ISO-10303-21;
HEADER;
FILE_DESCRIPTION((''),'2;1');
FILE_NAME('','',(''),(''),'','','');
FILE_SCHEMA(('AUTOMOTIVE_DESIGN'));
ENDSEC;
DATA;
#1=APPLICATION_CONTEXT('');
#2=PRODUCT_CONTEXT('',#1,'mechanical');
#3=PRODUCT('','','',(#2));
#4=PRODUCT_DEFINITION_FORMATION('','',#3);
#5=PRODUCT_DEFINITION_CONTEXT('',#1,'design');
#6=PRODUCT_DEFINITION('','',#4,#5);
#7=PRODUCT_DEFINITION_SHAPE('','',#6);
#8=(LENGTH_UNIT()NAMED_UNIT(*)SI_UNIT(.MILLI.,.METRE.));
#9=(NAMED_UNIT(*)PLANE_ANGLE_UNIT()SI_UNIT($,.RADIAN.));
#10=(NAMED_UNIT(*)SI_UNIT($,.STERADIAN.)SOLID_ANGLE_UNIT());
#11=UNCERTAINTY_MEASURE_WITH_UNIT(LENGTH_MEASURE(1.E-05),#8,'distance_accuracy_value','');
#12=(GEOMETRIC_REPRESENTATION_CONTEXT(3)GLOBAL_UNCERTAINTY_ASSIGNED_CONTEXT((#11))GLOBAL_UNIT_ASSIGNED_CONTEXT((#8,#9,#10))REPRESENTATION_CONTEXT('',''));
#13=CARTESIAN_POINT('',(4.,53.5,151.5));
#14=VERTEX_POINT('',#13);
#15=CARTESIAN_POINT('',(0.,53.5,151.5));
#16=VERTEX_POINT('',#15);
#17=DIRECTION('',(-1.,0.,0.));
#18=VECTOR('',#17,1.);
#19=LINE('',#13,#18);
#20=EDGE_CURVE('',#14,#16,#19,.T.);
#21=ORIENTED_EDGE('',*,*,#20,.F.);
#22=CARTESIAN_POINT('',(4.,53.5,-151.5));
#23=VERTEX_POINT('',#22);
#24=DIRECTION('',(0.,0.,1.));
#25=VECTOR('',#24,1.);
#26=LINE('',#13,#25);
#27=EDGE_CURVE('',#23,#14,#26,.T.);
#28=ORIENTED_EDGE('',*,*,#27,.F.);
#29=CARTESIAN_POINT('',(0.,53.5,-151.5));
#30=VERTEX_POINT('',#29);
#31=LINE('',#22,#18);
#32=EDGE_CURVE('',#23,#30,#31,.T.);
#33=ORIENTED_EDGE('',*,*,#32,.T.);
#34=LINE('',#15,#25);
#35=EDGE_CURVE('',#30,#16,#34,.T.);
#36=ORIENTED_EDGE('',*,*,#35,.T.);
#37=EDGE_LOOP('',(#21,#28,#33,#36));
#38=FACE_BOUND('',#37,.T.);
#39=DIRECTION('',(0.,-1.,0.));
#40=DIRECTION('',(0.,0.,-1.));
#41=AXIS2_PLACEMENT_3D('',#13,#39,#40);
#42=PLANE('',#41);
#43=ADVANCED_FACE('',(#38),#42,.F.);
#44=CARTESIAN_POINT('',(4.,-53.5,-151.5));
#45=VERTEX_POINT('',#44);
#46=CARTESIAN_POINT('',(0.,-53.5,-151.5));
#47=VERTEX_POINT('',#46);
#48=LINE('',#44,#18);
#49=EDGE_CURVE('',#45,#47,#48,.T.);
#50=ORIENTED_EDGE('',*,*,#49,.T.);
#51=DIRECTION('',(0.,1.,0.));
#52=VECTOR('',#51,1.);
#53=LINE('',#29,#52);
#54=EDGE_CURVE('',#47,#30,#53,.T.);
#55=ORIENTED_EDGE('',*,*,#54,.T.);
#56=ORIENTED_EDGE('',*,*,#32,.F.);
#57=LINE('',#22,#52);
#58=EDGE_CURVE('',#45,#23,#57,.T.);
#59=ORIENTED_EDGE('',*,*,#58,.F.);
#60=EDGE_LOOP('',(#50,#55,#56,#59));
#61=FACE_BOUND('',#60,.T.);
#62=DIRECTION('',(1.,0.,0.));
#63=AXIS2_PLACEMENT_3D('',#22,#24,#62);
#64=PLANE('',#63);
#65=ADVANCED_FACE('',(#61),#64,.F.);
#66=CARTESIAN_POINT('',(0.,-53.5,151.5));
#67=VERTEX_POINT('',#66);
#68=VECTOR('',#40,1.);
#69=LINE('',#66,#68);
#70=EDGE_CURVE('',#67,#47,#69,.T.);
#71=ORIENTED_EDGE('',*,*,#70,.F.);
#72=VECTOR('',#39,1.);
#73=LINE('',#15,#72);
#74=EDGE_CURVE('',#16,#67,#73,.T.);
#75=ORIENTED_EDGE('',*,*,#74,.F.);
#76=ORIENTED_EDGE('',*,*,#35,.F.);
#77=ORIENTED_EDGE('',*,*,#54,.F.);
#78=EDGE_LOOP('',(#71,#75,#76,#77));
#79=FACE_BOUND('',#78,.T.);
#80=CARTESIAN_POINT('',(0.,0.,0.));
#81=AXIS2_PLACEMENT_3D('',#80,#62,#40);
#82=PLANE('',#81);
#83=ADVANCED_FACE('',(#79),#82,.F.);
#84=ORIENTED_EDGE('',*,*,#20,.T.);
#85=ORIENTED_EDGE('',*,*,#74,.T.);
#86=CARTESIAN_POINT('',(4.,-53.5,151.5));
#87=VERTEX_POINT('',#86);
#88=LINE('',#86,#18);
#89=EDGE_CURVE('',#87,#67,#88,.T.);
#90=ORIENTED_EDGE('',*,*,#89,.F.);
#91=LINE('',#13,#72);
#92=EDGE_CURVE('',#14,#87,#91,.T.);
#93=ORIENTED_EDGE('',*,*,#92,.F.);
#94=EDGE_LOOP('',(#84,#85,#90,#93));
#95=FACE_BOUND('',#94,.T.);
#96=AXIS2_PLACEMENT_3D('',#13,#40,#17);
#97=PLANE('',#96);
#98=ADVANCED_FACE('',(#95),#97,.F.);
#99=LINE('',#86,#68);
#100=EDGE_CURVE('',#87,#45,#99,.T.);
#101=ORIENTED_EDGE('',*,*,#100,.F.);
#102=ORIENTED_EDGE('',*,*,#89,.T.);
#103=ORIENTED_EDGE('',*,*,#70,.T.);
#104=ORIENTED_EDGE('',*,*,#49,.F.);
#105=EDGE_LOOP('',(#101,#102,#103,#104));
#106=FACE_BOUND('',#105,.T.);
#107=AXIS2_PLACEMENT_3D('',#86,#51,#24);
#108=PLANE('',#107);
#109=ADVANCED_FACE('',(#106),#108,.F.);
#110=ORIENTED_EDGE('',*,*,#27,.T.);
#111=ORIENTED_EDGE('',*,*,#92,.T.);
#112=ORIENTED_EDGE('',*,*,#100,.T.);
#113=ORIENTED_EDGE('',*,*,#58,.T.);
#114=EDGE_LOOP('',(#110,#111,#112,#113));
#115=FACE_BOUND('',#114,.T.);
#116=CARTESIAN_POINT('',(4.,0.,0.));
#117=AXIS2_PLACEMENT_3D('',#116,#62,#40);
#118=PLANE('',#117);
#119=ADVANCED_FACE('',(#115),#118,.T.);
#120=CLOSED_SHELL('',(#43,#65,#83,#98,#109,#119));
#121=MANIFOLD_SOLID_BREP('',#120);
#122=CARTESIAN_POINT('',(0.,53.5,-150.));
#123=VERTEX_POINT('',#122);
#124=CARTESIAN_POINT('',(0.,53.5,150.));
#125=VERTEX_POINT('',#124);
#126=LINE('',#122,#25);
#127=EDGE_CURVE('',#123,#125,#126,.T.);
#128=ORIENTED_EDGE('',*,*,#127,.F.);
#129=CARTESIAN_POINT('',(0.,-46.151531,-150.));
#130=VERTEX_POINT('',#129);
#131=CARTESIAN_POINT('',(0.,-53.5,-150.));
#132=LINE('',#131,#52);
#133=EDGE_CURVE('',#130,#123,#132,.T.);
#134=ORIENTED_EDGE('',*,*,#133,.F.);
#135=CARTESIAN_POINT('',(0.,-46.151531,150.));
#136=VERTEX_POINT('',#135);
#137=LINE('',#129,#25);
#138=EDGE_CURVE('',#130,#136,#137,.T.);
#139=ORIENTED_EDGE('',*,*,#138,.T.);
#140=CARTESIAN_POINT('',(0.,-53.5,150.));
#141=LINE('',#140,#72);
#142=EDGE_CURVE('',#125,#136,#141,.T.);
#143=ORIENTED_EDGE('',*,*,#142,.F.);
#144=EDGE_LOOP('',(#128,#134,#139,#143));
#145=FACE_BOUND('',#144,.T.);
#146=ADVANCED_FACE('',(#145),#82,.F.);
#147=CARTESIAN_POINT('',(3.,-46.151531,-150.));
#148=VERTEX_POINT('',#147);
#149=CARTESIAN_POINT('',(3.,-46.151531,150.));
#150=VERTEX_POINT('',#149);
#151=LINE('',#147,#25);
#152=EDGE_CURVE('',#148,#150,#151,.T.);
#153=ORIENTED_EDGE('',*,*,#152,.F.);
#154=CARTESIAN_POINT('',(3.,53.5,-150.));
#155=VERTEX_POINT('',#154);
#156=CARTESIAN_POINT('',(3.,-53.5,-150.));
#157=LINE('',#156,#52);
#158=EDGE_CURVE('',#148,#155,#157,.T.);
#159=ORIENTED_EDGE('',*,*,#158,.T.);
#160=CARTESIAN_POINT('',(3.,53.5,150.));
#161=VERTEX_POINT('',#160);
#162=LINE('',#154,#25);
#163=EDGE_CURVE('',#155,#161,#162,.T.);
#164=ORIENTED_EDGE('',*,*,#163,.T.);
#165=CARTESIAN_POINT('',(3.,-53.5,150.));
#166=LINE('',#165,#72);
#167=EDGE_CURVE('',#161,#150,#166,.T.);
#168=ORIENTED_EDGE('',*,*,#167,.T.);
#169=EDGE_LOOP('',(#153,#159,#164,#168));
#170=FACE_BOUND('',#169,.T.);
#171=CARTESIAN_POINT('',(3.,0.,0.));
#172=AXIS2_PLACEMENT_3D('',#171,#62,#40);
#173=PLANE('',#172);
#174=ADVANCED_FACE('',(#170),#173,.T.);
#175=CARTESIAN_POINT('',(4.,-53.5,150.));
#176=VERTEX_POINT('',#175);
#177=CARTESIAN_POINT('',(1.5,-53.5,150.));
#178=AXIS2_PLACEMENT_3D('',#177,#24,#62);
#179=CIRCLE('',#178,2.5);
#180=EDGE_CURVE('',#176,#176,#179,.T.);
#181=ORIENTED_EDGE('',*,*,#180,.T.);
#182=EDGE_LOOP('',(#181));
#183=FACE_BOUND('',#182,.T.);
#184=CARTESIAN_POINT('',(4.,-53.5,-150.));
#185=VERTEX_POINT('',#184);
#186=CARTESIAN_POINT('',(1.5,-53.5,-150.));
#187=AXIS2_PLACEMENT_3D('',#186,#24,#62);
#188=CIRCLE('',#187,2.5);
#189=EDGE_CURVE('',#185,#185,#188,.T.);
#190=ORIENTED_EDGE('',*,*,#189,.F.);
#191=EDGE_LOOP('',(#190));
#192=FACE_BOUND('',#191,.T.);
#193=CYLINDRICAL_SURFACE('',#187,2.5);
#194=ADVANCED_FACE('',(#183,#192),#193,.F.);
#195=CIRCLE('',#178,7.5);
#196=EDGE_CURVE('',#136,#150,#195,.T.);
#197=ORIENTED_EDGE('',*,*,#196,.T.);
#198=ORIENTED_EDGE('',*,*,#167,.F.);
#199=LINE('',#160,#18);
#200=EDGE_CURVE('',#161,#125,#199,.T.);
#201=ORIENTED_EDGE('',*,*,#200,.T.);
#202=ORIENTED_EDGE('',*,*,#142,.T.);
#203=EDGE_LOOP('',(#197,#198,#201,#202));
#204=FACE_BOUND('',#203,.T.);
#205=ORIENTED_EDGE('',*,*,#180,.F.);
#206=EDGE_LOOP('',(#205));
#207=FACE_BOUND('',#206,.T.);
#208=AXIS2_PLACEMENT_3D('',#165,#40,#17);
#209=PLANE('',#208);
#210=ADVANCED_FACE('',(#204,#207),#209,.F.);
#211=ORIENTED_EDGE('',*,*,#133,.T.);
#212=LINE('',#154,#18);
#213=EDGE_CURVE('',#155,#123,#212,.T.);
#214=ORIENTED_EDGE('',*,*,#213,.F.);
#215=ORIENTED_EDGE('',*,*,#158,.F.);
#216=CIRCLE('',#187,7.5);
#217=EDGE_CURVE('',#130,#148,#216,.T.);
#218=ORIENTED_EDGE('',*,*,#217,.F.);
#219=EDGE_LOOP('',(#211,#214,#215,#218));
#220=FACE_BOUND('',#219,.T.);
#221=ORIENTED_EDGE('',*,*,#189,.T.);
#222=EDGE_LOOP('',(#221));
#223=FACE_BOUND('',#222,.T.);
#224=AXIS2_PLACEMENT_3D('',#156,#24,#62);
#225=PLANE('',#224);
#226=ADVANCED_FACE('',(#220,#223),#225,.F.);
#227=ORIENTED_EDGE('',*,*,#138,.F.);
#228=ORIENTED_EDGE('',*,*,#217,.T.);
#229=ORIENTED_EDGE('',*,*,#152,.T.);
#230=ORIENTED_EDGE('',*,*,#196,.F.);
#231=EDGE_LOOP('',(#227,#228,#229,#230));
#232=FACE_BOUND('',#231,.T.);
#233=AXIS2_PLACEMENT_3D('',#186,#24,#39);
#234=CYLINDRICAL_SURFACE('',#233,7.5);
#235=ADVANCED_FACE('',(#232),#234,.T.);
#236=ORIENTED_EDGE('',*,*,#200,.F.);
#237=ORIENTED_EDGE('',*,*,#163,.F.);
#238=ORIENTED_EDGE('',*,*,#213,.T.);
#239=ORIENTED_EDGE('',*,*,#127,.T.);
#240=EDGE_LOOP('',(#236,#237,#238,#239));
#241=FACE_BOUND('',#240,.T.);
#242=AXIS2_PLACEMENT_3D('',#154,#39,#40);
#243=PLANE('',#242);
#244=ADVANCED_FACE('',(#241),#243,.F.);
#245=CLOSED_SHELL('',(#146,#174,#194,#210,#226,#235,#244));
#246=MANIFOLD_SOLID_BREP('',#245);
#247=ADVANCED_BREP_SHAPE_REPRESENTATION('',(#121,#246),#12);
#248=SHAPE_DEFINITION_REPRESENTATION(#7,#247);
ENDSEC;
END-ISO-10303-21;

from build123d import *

# Parameters (mm, degrees)
SCHIZZO7_W                   = 300
SCHIZZO7_H                   = 107
ESTRUSIONE_ESTRUSIONE4_DEPTH = 3
SCHIZZO8_R                   = 7.5
SCHIZZO9_R                   = 2.5
TAGLIO_ESTRUSIONE1_DEPTH     = 307.271121721
SCHIZZO11_W                  = 303
SCHIZZO11_H                  = 107
ESTRUSIONE_ESTRUSIONE5_DEPTH = 4


with BuildPart() as part:
    # Schizzo7 → Estrusione-Estrusione4 (new body)
    with BuildSketch(Plane(origin=(0, 0, 0), x_dir=(0, 0, -1), z_dir=(1, 0, 0))):
        Rectangle(SCHIZZO7_W, SCHIZZO7_H)
    extrude(amount=ESTRUSIONE_ESTRUSIONE4_DEPTH)

    # Sweep2: sweep along a curve in space
    with BuildLine() as sweep2_path:
        Line((3, -53.5, 150), (3, -53.5, -150))
    # Schizzo8 → Sweep2 (sweep)
    with BuildSketch(Plane.XY.offset(150)):
        with Locations((1.5, -53.5)):
            Circle(SCHIZZO8_R)
    sweep(path=sweep2_path.line)

    # Schizzo9 → Taglio-Estrusione1 (cut, through all)
    with BuildSketch(Plane.XY.offset(150)):
        with Locations((1.5, -53.5)):
            Circle(SCHIZZO9_R)
    extrude(amount=-TAGLIO_ESTRUSIONE1_DEPTH, mode=Mode.SUBTRACT)


with BuildPart() as body_2:
    # Schizzo11 → Estrusione-Estrusione5 (new body)
    with BuildSketch(Plane(origin=(0, 0, 0), x_dir=(0, 0, -1), z_dir=(1, 0, 0))):
        Rectangle(SCHIZZO11_W, SCHIZZO11_H)
    extrude(amount=ESTRUSIONE_ESTRUSIONE5_DEPTH)


solid = Compound([part.part, body_2.part])
